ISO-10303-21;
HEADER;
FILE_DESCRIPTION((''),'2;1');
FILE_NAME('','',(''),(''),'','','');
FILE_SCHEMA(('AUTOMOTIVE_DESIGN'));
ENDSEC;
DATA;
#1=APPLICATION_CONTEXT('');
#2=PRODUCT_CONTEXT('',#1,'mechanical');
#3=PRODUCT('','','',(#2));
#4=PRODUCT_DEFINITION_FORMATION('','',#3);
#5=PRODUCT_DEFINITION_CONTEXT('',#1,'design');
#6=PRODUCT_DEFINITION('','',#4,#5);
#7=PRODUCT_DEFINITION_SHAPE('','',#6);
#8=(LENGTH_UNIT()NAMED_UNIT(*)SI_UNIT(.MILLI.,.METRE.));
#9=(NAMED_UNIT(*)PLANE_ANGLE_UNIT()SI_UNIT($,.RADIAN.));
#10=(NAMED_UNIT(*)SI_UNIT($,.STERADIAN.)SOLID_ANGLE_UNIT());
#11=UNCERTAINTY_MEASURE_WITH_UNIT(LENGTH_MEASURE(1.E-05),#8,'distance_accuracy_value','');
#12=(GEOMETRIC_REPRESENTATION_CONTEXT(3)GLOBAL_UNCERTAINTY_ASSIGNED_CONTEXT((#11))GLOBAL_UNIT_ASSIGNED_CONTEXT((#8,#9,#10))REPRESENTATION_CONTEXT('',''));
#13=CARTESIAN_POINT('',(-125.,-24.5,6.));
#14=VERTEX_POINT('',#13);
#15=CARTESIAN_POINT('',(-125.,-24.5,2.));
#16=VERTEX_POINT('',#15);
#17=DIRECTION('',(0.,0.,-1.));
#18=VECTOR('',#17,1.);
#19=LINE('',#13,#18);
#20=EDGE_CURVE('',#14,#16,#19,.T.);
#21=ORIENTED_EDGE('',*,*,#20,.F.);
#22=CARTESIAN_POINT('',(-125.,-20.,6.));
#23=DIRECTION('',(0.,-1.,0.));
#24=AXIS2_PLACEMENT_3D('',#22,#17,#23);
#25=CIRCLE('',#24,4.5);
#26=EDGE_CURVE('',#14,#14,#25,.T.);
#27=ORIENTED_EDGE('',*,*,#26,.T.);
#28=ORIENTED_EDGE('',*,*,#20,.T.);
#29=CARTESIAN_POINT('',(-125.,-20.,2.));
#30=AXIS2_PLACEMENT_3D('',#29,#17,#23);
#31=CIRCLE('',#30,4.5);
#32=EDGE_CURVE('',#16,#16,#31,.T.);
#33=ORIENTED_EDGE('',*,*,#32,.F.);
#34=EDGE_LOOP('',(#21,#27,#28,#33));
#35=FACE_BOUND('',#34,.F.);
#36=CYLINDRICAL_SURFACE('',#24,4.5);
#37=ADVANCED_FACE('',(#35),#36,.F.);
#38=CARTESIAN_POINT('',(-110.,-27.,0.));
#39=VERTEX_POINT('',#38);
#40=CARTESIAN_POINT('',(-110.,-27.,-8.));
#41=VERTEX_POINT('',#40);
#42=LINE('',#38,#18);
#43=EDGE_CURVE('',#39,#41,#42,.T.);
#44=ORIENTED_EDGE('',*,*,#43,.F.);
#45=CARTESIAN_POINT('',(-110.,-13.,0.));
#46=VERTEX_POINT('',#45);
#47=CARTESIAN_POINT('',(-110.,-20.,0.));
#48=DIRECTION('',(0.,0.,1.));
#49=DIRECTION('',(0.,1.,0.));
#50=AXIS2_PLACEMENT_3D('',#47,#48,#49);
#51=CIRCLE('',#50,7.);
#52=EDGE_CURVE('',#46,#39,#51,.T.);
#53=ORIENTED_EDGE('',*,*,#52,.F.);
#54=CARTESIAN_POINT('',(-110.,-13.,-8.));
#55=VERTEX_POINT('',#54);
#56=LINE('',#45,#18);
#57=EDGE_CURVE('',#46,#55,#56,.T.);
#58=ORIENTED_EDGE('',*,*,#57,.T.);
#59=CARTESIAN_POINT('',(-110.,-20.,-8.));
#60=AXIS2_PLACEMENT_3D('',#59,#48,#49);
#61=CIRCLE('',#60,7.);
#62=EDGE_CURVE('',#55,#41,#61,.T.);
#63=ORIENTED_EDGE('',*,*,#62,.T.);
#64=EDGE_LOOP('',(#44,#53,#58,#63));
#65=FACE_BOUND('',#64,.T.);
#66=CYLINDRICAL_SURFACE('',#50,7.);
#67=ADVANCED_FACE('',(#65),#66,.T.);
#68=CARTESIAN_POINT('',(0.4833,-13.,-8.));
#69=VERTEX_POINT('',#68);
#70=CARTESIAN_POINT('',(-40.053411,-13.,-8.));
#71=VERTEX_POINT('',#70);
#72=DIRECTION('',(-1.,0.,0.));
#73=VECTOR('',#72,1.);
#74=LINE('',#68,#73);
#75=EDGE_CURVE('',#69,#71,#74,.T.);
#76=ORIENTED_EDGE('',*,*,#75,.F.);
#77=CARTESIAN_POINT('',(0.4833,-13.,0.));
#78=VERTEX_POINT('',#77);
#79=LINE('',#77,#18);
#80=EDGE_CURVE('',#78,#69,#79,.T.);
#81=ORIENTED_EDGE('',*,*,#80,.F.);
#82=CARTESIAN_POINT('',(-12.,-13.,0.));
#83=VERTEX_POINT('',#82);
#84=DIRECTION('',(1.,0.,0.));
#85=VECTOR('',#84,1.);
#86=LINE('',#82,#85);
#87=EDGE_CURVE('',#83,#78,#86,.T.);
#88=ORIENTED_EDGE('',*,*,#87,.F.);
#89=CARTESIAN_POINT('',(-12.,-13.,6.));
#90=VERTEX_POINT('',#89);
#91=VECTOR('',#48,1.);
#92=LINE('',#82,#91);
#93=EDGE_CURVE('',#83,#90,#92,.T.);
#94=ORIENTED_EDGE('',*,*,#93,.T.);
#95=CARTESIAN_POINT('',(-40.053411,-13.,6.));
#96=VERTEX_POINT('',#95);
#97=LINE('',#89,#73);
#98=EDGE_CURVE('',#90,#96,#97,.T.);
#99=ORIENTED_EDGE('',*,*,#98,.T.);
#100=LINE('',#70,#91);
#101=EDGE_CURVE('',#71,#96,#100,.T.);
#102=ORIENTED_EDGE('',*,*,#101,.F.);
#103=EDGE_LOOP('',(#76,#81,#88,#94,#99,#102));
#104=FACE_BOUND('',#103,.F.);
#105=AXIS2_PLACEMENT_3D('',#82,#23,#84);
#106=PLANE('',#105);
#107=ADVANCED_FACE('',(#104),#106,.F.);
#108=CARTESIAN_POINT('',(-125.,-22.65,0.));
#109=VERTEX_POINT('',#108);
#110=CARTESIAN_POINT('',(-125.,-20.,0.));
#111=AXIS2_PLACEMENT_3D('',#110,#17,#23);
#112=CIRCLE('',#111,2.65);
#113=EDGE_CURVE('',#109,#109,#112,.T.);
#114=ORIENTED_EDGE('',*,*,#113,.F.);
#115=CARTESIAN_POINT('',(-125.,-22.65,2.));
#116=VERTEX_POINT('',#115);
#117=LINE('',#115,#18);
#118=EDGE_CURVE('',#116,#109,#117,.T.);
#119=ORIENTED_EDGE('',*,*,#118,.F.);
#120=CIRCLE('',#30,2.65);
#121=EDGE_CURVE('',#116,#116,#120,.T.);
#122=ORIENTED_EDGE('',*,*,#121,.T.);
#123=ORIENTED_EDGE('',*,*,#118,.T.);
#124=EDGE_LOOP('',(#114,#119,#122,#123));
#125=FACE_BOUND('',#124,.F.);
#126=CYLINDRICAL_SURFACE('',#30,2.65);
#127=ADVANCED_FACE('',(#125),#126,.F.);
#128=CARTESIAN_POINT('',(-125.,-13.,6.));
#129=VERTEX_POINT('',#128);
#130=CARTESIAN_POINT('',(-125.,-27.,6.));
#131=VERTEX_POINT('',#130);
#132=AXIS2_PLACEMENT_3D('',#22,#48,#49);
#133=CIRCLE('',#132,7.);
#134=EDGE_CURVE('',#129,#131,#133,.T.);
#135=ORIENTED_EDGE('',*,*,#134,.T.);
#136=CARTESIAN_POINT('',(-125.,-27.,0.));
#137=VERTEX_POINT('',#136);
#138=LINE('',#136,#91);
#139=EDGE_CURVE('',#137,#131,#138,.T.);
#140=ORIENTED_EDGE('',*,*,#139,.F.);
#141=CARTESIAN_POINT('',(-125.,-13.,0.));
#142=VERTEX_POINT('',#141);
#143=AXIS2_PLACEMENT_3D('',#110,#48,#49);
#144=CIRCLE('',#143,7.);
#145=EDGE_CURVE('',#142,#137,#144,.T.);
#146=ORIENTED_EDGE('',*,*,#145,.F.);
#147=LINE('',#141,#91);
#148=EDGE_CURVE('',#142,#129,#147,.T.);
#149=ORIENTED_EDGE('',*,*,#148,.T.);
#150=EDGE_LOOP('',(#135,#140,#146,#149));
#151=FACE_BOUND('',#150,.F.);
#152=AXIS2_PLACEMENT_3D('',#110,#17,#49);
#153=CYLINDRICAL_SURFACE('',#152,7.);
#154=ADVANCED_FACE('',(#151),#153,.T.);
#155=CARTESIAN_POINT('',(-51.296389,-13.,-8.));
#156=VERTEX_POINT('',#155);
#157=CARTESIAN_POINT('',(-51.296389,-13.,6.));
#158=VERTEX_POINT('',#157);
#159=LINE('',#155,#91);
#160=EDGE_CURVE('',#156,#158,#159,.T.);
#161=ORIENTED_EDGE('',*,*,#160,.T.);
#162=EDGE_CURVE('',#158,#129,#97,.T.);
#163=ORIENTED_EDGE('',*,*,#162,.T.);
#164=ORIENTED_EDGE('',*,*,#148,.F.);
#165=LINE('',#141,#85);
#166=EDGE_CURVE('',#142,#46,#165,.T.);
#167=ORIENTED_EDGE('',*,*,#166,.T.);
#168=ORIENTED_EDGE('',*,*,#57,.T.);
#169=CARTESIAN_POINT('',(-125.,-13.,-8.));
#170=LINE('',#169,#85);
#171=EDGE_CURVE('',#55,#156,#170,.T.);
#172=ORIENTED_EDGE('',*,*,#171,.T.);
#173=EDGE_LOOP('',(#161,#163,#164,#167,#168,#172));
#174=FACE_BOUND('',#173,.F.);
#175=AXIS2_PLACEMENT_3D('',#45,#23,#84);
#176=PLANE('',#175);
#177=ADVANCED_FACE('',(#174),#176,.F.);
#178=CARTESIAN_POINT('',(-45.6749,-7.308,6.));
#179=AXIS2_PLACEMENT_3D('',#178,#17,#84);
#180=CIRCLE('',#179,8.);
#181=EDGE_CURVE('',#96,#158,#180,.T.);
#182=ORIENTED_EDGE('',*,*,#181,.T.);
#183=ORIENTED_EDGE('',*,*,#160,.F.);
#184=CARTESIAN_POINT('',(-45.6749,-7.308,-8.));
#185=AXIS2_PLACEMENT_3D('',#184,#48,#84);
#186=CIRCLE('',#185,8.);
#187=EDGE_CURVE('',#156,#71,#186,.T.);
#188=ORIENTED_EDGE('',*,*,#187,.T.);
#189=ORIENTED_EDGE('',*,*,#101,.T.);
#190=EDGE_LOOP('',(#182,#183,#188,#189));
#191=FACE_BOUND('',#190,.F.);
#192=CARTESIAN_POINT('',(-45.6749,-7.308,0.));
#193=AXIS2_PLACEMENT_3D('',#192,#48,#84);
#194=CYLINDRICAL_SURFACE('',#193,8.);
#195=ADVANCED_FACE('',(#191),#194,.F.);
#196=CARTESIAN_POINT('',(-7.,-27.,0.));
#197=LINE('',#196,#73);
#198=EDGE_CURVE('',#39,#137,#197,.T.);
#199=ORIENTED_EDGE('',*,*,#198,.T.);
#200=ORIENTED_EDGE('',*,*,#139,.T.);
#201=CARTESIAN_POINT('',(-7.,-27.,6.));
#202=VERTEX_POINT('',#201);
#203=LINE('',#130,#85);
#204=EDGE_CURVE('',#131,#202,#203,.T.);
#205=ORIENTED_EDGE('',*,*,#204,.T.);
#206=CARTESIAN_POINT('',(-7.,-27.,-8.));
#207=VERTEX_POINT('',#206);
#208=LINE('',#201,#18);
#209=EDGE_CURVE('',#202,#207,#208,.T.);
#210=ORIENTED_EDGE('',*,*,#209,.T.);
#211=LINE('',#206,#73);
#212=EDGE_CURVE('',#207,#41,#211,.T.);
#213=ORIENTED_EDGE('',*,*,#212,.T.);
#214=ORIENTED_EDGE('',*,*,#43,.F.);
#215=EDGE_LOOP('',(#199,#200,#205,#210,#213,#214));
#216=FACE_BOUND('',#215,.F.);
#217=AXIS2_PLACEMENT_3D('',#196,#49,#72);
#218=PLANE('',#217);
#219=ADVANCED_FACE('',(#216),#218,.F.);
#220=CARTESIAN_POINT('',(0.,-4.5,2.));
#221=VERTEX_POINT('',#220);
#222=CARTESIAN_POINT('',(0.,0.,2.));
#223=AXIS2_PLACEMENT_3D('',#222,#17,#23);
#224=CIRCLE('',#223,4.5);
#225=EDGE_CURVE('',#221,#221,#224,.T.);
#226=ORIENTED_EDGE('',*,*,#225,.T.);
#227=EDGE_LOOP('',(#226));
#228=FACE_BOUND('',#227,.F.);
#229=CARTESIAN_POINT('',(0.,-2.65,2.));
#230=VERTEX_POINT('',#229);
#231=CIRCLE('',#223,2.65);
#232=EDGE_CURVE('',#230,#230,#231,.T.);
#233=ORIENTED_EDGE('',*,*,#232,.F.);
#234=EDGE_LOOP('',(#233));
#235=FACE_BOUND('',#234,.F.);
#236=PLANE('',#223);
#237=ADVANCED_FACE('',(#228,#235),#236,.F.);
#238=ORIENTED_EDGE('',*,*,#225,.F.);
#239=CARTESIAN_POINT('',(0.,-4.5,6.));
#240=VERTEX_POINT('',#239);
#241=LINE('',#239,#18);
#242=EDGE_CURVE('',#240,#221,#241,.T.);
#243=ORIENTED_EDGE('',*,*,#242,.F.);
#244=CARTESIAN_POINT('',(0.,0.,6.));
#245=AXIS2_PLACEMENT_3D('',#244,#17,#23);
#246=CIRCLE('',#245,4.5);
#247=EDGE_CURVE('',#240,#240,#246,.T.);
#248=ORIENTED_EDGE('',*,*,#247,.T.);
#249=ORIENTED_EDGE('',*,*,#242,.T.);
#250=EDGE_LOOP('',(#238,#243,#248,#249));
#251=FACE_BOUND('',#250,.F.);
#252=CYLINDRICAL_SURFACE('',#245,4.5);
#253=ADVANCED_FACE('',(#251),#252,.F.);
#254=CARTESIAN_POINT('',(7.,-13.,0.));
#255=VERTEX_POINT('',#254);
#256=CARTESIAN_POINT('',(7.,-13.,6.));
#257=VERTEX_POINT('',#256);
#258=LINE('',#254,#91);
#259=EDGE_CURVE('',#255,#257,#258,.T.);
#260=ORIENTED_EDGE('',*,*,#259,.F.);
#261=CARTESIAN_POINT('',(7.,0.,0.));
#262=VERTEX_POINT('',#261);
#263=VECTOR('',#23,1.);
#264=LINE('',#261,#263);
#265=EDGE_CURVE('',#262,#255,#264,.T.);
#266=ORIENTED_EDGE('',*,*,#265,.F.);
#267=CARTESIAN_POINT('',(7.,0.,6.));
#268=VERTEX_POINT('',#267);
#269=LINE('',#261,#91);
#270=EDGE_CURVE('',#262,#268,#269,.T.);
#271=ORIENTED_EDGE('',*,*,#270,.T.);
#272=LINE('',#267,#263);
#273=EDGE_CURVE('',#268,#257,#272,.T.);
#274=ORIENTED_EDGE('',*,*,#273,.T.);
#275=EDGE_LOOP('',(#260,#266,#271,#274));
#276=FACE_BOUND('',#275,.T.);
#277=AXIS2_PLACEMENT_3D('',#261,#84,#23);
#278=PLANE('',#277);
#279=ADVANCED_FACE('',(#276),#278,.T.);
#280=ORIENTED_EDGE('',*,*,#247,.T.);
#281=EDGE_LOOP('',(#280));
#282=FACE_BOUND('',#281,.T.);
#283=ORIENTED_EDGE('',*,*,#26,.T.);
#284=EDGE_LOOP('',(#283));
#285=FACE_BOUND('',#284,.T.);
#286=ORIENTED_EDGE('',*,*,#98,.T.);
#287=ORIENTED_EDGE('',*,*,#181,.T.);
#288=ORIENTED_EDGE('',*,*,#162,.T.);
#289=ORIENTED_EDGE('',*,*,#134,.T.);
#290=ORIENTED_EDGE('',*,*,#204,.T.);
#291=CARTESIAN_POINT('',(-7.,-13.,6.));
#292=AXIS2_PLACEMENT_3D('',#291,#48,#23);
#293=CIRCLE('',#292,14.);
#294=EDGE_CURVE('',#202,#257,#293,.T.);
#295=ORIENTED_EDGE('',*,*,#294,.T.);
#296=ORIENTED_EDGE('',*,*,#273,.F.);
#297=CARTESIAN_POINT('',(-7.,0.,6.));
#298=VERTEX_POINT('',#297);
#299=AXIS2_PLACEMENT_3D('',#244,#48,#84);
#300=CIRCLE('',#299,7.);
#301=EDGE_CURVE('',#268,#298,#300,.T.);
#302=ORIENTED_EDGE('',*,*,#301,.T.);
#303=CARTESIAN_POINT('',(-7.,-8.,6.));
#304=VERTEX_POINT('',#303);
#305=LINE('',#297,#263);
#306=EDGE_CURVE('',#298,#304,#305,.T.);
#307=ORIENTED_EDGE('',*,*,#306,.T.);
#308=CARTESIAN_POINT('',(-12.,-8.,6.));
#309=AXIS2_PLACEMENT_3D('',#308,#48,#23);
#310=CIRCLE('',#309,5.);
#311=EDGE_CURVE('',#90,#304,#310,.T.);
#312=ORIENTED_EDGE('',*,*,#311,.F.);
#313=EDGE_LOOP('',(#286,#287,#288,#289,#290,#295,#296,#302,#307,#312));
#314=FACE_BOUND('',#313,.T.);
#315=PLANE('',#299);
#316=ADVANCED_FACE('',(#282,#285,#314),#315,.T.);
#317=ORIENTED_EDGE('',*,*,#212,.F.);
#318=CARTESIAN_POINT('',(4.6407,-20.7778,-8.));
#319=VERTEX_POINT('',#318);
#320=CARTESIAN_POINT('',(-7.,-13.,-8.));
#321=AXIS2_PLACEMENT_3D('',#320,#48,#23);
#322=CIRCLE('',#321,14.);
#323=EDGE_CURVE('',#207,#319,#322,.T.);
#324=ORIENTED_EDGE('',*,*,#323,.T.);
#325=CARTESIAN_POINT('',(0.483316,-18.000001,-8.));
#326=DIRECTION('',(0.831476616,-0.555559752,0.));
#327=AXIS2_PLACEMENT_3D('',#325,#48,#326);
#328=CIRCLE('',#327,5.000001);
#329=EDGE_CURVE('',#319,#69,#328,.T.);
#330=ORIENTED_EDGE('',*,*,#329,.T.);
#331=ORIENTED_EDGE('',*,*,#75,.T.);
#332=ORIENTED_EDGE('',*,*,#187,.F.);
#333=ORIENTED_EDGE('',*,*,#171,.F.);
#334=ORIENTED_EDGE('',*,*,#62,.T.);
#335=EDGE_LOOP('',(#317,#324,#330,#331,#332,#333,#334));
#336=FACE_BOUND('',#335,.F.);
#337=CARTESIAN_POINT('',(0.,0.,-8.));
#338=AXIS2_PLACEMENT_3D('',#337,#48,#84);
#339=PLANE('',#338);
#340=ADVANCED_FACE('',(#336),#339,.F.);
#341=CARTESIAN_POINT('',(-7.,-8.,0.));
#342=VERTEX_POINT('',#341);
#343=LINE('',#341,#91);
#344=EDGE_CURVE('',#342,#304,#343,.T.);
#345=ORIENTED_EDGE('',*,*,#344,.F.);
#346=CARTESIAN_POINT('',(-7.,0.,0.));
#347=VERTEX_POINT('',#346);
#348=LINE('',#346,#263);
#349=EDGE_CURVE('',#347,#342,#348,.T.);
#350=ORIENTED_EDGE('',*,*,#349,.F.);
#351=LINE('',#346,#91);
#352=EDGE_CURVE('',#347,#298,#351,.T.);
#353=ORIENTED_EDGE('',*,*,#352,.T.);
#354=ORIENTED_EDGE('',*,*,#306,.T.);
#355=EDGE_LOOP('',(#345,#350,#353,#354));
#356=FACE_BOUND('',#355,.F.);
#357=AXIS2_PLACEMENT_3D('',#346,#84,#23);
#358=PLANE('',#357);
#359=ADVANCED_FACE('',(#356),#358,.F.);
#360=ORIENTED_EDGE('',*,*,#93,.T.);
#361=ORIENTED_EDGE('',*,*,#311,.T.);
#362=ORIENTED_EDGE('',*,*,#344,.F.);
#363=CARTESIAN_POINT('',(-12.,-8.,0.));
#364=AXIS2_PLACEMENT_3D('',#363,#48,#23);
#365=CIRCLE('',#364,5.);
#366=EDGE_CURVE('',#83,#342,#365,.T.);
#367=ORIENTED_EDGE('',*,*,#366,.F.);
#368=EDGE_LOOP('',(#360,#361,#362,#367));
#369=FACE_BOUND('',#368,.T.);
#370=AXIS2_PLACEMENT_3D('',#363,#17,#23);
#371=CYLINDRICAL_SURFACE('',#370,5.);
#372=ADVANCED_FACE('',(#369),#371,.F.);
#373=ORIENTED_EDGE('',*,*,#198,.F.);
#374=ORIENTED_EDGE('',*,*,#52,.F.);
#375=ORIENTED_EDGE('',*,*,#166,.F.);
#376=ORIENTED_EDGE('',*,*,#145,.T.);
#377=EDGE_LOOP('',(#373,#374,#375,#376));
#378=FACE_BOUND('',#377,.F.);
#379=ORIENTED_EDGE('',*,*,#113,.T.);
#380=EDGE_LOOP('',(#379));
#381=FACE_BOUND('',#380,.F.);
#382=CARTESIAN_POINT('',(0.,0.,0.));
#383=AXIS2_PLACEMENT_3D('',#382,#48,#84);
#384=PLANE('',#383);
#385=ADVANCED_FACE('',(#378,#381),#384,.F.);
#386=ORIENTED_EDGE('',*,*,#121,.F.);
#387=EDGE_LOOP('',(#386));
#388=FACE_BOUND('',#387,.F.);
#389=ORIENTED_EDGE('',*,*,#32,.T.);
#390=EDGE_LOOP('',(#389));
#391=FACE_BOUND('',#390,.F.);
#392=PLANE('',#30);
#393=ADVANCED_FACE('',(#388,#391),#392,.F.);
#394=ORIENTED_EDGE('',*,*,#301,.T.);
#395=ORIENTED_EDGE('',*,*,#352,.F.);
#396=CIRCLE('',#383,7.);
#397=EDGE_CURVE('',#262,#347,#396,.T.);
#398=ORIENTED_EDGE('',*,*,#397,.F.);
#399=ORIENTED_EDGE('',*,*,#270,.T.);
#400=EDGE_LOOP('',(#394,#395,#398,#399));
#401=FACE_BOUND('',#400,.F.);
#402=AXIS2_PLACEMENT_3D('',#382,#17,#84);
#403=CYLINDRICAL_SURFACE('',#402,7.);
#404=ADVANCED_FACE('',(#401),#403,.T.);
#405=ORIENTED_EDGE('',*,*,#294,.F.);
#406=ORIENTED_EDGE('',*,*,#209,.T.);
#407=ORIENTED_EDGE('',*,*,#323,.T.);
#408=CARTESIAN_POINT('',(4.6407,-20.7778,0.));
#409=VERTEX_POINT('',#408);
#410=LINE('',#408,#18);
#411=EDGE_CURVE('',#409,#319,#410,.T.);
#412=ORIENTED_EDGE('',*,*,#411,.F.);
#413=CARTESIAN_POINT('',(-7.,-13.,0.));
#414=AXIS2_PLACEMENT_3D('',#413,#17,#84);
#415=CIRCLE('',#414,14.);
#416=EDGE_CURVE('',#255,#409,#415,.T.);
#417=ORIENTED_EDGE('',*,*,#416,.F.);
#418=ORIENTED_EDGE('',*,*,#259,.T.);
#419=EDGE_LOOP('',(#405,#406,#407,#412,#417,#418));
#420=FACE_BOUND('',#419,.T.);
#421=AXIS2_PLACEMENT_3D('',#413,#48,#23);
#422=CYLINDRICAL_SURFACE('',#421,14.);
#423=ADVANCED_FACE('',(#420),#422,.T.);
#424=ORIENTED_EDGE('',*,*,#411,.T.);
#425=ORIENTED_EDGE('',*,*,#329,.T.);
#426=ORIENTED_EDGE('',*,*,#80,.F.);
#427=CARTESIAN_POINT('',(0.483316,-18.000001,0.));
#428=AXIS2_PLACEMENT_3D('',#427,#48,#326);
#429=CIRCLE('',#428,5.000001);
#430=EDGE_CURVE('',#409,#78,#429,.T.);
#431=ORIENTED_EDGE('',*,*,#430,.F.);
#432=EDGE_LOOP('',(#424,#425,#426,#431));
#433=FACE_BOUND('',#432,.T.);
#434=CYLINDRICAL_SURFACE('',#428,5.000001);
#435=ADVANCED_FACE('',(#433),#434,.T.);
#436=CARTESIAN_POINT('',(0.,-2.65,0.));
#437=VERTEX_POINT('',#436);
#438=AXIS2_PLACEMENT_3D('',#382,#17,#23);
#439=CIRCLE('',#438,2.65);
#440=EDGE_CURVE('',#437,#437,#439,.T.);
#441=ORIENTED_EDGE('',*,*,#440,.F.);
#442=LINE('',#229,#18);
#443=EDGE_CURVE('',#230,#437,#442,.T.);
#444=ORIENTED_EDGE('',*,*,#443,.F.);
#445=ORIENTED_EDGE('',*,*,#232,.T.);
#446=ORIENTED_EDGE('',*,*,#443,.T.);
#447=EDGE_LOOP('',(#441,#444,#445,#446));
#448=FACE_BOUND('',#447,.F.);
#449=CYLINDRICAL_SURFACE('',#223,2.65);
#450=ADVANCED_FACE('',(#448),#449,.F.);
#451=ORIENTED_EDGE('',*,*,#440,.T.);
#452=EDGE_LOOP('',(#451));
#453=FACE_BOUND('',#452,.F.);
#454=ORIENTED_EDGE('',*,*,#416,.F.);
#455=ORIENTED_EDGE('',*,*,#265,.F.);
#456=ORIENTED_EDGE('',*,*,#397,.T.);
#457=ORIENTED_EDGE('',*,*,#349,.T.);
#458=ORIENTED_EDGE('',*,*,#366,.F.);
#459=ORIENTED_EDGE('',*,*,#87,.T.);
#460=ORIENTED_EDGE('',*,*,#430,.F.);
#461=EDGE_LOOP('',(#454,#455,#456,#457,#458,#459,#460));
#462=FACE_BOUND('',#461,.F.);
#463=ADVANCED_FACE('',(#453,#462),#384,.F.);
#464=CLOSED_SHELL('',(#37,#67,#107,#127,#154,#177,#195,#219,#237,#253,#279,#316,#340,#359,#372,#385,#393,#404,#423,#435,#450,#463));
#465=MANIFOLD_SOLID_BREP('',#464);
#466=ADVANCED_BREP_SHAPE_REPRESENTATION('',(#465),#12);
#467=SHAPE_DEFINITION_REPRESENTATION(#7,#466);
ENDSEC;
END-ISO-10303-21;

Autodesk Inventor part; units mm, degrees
ref_plane "YZ Plane" through (0, 0, 0) normal (1, 0, 0) x (0, 1, 0)
ref_plane "XZ Plane" through (0, 0, 0) normal (0, 1, 0) x (-1, 0, 0)
ref_plane "XY Plane" through (0, 0, 0) normal (0, 0, 1) x (1, 0, 0)
sketch "Skizze1" plane through (0, 0, 0) normal (0, 0, 1) x (1, 0, 0)
  circle A0 centre (0, 0) radius 2.5
  line L0 (-7, 0) -> (-7, -8)
  line L1 (7, 0) -> (7, -13)
  arc A1 (7, 0) -> (-7, 0) centre (0, 0) ccw
  circle A2 centre (-125, -20) radius 2.5
  line L2 (-125, -13) -> (-12, -13)
  arc A3 (-125, -13) -> (-125, -27) centre (-125, -20) ccw
  line L3 (-7, -27) -> (-125, -27)
  arc A4 (-7, -27) -> (7, -13) centre (-7, -13) ccw
  arc A5 (-12, -13) -> (-7, -8) centre (-12, -8) ccw
  line L4 (-125, -20) -> (0, 0) construction
  circle A6 centre (-45.6749, -7.308) radius 8
  line L5 (-12, -13) -> (0.4833, -13)
  circle A7 centre (-125, -20) radius 7 construction
  arc A8 (-110, -13) -> (-110, -27) centre (-110, -20) ccw
  arc A9 (4.6407, -20.7778) -> (0.4833, -13) centre (0.4833, -18) ccw
  point P0 (-7, -13)
  point P1 (7, -27)
  point P2 (-127.0657, -26.6883)
  point P3 (-40.0535, -13)
  point P4 (-51.2964, -13)
  dimension "d0" = 5
  dimension "d14" = 125
  dimension "d30" = 7
  dimension "d31" = 20
  dimension "d32" = 14
  dimension "d33" = 5
  dimension "d34" = 80.334
  dimension "d37" = 16
  dimension "d47" = 1
  dimension "d48" = 5
extrude "Extrusion1" add sketch "Skizze1" along normal blind 6 contours A1 L1 A4 A9 L5 A5 L0 | L5 A9 A4 L3 A8 L2 A6 | A6 L2 | A8 L3 A3 L2 picked at (-47.0836, -13.3669)
extrude "Extrusion2" cut sketch "Skizze1" along normal through all contours A6 L2 picked at (-47.0836, -13.3669)
extrude "Extrusion3" add sketch "Skizze1" against normal blind 8 contours L5 A9 A4 L3 A8 L2 A6
sketch "Skizze2" plane through (0, 0, 6) normal (0, 0, 1) x (1, 0, 0)
  circle A0 centre (-125, -20) radius 2.5 projected
  circle A1 centre (0, 0) radius 2.5 projected
hole "Bohrung1" at (-125, -20, 6) at (0, 0, 6) direction (0, 0, -1) diameter 5.3 end through all counterbore diameter 9 counterbore depth 4 clearance for "Inbusschraube DIN EN ISO 4762" size "M5" standard "DIN"
properties part number "Door_Lever" material "ABS-Kunststoff"
